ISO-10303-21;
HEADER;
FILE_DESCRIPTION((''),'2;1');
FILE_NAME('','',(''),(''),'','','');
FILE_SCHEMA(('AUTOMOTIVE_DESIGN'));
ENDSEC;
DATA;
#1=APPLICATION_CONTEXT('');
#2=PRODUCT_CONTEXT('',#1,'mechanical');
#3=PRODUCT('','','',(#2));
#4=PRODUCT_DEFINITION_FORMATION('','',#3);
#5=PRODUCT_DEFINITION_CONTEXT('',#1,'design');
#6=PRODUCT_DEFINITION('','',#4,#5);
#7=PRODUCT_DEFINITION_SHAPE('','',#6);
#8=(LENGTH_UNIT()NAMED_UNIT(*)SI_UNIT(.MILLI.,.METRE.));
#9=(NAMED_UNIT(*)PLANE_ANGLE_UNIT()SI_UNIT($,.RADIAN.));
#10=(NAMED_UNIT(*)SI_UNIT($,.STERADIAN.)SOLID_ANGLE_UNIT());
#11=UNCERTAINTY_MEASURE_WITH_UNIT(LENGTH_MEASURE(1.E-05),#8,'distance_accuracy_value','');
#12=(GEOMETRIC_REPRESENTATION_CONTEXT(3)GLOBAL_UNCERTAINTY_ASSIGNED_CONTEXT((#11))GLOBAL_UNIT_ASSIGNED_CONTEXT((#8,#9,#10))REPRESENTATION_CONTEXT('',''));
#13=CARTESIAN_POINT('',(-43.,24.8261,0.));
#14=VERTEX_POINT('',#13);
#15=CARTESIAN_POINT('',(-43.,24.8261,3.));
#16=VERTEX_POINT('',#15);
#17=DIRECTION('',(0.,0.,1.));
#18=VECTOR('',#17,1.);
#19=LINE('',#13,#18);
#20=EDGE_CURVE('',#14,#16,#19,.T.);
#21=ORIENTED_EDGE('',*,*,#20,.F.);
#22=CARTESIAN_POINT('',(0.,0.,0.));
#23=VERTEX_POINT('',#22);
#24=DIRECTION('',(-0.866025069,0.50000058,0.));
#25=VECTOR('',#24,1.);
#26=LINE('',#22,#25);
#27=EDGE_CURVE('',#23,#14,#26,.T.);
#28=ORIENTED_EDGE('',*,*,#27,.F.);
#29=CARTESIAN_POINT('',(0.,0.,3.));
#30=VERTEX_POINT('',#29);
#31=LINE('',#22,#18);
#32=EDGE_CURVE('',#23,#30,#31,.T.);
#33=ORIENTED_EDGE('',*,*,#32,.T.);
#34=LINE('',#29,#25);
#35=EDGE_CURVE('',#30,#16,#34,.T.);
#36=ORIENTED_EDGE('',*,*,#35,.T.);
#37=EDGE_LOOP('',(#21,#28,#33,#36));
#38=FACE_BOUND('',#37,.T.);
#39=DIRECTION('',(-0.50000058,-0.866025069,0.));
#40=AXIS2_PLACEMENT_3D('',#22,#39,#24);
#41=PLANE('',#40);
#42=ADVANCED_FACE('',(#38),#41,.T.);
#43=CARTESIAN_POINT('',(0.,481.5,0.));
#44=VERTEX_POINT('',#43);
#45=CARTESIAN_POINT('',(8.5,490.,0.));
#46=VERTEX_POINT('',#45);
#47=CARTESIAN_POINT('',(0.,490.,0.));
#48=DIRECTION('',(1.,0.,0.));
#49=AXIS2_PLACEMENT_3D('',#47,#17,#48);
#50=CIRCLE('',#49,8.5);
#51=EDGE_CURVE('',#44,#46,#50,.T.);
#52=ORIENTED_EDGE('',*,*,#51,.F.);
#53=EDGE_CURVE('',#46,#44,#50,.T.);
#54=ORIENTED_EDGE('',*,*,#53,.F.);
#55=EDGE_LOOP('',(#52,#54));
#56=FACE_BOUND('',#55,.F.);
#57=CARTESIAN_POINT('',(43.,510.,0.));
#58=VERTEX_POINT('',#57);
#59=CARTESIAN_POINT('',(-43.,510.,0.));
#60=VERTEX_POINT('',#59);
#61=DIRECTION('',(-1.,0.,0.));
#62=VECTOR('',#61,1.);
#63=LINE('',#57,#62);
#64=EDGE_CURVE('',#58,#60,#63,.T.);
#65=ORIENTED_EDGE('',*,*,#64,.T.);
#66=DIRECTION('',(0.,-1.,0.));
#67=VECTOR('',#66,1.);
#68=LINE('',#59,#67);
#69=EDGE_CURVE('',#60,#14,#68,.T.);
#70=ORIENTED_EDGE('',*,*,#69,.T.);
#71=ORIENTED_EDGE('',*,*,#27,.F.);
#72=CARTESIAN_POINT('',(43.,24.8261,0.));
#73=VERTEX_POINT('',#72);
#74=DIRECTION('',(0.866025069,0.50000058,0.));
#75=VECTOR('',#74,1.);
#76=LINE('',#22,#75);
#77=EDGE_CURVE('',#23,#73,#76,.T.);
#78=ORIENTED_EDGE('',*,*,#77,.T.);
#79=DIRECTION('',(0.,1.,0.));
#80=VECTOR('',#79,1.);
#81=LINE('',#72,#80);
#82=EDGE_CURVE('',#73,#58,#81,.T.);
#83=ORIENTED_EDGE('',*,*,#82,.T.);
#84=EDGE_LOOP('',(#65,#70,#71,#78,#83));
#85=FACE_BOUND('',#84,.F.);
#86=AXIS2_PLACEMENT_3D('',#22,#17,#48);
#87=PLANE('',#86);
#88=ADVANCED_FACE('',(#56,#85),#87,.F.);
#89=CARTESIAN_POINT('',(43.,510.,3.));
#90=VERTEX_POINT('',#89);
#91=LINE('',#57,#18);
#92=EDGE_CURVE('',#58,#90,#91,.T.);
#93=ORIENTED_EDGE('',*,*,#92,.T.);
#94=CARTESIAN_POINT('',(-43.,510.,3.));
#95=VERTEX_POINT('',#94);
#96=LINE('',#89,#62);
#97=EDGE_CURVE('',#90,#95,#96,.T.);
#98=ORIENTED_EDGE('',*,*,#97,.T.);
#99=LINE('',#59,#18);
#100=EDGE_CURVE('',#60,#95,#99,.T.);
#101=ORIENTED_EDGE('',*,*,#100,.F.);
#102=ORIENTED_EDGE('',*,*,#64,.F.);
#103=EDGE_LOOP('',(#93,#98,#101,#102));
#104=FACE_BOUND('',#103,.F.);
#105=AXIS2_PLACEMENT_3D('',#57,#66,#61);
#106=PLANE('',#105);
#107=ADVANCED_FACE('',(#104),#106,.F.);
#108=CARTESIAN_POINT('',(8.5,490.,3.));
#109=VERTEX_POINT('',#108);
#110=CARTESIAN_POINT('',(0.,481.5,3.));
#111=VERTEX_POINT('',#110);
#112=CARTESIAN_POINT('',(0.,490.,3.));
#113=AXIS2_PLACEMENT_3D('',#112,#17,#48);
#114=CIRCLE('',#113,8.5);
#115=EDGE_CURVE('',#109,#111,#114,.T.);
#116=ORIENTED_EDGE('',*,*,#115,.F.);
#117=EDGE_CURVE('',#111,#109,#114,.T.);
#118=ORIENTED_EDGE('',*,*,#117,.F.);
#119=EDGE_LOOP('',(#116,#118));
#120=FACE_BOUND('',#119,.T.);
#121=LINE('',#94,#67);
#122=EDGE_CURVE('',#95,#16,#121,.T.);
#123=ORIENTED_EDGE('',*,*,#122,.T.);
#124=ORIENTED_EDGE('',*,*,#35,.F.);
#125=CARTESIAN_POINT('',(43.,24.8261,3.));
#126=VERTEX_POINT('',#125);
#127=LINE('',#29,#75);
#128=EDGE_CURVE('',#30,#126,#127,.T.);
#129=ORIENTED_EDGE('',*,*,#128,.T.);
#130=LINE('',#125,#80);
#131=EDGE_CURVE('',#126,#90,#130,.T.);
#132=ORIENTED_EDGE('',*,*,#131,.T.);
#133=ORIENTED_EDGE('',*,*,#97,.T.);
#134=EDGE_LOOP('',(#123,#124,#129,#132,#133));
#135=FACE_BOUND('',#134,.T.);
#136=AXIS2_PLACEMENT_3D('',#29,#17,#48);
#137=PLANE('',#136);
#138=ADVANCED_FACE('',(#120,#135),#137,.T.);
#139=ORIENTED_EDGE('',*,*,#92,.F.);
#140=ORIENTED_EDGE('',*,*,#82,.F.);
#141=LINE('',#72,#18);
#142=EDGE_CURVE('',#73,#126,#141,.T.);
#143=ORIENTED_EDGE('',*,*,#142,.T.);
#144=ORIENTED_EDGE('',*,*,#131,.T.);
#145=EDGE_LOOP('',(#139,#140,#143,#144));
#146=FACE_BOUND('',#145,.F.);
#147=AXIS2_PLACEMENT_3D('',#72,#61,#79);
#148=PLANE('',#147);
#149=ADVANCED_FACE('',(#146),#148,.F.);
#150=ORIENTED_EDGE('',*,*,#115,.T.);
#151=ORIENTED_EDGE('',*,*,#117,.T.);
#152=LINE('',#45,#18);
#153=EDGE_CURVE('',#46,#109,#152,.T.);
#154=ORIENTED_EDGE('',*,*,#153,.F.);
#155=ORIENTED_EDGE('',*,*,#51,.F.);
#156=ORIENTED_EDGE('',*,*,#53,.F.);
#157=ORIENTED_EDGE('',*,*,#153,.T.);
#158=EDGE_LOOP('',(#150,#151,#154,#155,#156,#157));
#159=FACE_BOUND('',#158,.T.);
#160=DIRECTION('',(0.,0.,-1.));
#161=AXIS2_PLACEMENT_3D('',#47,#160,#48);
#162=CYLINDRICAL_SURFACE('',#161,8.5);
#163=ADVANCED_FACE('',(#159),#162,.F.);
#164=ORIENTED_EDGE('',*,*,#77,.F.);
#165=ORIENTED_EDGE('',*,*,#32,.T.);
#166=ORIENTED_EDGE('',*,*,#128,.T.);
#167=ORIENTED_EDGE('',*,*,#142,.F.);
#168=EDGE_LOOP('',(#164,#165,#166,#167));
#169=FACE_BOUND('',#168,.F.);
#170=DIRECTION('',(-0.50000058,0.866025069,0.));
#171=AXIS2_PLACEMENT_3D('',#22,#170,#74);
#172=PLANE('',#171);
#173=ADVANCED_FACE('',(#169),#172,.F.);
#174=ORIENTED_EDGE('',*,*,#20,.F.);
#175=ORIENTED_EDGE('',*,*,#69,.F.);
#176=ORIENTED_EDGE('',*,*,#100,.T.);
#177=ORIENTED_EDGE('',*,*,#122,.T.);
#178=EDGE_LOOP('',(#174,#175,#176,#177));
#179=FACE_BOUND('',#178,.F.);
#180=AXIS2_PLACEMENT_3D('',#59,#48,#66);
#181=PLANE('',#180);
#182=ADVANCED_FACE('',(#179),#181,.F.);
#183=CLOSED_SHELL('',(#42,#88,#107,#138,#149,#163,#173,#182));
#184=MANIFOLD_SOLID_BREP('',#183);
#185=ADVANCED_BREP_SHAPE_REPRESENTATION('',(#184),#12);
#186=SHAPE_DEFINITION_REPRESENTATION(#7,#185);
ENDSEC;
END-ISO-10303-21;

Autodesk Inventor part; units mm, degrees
ref_plane "YZ Plane" through (0, 0, 0) normal (1, 0, 0) x (0, 1, 0)
ref_plane "XZ Plane" through (0, 0, 0) normal (0, 1, 0) x (-1, 0, 0)
ref_plane "XY Plane" through (0, 0, 0) normal (0, 0, 1) x (1, 0, 0)
sketch "Sketch6" plane through (0, 0, 0) normal (0, 0, 1) x (1, 0, 0)
  line L0 (0, 0) -> (43, 24.8261)
  line L1 (0, 0) -> (-43, 24.8261)
  line L2 (0, 0) -> (0, 490)
  line L3 (-43, 24.8261) -> (43, 24.8261)
  line L4 (43, 24.8261) -> (43, 510)
  line L5 (43, 510) -> (-43, 510)
  line L6 (-43, 510) -> (-43, 24.8261)
  circle A0 centre (0, 490) radius 8.5
  circle A1 centre (0, 0) radius 490 construction
  circle A2 centre (0, 0) radius 510 construction
  dimension "d44" = 980
  dimension "d40" = 120
  dimension "d42" = 86
  dimension "d43" = 17
  dimension "d45" = 1020
extrude "Plate3" add sketch "Sketch6" along normal blind 3
equation "\"d46\" = Thickness"
equation "\"BendReliefWidth\" = Thickness"
equation "\"BendReliefDepth\" = 0.5 * Thickness"
equation "\"CornerReliefSize\" = 4 * Thickness"
equation "\"MinimumRemnant\" = 2 * Thickness"
equation "\"TransitionRadius\" = BendRadius"
equation "\"JacobiRadiusSize\" = BendRadius"
equation "\"GapSize\" = Thickness"
equation "\"Thickness\" = 3"
equation "\"BendRadius\" = 5"
properties part number "SLM 1696 leg floor pattern" material "Stainless Steel"
